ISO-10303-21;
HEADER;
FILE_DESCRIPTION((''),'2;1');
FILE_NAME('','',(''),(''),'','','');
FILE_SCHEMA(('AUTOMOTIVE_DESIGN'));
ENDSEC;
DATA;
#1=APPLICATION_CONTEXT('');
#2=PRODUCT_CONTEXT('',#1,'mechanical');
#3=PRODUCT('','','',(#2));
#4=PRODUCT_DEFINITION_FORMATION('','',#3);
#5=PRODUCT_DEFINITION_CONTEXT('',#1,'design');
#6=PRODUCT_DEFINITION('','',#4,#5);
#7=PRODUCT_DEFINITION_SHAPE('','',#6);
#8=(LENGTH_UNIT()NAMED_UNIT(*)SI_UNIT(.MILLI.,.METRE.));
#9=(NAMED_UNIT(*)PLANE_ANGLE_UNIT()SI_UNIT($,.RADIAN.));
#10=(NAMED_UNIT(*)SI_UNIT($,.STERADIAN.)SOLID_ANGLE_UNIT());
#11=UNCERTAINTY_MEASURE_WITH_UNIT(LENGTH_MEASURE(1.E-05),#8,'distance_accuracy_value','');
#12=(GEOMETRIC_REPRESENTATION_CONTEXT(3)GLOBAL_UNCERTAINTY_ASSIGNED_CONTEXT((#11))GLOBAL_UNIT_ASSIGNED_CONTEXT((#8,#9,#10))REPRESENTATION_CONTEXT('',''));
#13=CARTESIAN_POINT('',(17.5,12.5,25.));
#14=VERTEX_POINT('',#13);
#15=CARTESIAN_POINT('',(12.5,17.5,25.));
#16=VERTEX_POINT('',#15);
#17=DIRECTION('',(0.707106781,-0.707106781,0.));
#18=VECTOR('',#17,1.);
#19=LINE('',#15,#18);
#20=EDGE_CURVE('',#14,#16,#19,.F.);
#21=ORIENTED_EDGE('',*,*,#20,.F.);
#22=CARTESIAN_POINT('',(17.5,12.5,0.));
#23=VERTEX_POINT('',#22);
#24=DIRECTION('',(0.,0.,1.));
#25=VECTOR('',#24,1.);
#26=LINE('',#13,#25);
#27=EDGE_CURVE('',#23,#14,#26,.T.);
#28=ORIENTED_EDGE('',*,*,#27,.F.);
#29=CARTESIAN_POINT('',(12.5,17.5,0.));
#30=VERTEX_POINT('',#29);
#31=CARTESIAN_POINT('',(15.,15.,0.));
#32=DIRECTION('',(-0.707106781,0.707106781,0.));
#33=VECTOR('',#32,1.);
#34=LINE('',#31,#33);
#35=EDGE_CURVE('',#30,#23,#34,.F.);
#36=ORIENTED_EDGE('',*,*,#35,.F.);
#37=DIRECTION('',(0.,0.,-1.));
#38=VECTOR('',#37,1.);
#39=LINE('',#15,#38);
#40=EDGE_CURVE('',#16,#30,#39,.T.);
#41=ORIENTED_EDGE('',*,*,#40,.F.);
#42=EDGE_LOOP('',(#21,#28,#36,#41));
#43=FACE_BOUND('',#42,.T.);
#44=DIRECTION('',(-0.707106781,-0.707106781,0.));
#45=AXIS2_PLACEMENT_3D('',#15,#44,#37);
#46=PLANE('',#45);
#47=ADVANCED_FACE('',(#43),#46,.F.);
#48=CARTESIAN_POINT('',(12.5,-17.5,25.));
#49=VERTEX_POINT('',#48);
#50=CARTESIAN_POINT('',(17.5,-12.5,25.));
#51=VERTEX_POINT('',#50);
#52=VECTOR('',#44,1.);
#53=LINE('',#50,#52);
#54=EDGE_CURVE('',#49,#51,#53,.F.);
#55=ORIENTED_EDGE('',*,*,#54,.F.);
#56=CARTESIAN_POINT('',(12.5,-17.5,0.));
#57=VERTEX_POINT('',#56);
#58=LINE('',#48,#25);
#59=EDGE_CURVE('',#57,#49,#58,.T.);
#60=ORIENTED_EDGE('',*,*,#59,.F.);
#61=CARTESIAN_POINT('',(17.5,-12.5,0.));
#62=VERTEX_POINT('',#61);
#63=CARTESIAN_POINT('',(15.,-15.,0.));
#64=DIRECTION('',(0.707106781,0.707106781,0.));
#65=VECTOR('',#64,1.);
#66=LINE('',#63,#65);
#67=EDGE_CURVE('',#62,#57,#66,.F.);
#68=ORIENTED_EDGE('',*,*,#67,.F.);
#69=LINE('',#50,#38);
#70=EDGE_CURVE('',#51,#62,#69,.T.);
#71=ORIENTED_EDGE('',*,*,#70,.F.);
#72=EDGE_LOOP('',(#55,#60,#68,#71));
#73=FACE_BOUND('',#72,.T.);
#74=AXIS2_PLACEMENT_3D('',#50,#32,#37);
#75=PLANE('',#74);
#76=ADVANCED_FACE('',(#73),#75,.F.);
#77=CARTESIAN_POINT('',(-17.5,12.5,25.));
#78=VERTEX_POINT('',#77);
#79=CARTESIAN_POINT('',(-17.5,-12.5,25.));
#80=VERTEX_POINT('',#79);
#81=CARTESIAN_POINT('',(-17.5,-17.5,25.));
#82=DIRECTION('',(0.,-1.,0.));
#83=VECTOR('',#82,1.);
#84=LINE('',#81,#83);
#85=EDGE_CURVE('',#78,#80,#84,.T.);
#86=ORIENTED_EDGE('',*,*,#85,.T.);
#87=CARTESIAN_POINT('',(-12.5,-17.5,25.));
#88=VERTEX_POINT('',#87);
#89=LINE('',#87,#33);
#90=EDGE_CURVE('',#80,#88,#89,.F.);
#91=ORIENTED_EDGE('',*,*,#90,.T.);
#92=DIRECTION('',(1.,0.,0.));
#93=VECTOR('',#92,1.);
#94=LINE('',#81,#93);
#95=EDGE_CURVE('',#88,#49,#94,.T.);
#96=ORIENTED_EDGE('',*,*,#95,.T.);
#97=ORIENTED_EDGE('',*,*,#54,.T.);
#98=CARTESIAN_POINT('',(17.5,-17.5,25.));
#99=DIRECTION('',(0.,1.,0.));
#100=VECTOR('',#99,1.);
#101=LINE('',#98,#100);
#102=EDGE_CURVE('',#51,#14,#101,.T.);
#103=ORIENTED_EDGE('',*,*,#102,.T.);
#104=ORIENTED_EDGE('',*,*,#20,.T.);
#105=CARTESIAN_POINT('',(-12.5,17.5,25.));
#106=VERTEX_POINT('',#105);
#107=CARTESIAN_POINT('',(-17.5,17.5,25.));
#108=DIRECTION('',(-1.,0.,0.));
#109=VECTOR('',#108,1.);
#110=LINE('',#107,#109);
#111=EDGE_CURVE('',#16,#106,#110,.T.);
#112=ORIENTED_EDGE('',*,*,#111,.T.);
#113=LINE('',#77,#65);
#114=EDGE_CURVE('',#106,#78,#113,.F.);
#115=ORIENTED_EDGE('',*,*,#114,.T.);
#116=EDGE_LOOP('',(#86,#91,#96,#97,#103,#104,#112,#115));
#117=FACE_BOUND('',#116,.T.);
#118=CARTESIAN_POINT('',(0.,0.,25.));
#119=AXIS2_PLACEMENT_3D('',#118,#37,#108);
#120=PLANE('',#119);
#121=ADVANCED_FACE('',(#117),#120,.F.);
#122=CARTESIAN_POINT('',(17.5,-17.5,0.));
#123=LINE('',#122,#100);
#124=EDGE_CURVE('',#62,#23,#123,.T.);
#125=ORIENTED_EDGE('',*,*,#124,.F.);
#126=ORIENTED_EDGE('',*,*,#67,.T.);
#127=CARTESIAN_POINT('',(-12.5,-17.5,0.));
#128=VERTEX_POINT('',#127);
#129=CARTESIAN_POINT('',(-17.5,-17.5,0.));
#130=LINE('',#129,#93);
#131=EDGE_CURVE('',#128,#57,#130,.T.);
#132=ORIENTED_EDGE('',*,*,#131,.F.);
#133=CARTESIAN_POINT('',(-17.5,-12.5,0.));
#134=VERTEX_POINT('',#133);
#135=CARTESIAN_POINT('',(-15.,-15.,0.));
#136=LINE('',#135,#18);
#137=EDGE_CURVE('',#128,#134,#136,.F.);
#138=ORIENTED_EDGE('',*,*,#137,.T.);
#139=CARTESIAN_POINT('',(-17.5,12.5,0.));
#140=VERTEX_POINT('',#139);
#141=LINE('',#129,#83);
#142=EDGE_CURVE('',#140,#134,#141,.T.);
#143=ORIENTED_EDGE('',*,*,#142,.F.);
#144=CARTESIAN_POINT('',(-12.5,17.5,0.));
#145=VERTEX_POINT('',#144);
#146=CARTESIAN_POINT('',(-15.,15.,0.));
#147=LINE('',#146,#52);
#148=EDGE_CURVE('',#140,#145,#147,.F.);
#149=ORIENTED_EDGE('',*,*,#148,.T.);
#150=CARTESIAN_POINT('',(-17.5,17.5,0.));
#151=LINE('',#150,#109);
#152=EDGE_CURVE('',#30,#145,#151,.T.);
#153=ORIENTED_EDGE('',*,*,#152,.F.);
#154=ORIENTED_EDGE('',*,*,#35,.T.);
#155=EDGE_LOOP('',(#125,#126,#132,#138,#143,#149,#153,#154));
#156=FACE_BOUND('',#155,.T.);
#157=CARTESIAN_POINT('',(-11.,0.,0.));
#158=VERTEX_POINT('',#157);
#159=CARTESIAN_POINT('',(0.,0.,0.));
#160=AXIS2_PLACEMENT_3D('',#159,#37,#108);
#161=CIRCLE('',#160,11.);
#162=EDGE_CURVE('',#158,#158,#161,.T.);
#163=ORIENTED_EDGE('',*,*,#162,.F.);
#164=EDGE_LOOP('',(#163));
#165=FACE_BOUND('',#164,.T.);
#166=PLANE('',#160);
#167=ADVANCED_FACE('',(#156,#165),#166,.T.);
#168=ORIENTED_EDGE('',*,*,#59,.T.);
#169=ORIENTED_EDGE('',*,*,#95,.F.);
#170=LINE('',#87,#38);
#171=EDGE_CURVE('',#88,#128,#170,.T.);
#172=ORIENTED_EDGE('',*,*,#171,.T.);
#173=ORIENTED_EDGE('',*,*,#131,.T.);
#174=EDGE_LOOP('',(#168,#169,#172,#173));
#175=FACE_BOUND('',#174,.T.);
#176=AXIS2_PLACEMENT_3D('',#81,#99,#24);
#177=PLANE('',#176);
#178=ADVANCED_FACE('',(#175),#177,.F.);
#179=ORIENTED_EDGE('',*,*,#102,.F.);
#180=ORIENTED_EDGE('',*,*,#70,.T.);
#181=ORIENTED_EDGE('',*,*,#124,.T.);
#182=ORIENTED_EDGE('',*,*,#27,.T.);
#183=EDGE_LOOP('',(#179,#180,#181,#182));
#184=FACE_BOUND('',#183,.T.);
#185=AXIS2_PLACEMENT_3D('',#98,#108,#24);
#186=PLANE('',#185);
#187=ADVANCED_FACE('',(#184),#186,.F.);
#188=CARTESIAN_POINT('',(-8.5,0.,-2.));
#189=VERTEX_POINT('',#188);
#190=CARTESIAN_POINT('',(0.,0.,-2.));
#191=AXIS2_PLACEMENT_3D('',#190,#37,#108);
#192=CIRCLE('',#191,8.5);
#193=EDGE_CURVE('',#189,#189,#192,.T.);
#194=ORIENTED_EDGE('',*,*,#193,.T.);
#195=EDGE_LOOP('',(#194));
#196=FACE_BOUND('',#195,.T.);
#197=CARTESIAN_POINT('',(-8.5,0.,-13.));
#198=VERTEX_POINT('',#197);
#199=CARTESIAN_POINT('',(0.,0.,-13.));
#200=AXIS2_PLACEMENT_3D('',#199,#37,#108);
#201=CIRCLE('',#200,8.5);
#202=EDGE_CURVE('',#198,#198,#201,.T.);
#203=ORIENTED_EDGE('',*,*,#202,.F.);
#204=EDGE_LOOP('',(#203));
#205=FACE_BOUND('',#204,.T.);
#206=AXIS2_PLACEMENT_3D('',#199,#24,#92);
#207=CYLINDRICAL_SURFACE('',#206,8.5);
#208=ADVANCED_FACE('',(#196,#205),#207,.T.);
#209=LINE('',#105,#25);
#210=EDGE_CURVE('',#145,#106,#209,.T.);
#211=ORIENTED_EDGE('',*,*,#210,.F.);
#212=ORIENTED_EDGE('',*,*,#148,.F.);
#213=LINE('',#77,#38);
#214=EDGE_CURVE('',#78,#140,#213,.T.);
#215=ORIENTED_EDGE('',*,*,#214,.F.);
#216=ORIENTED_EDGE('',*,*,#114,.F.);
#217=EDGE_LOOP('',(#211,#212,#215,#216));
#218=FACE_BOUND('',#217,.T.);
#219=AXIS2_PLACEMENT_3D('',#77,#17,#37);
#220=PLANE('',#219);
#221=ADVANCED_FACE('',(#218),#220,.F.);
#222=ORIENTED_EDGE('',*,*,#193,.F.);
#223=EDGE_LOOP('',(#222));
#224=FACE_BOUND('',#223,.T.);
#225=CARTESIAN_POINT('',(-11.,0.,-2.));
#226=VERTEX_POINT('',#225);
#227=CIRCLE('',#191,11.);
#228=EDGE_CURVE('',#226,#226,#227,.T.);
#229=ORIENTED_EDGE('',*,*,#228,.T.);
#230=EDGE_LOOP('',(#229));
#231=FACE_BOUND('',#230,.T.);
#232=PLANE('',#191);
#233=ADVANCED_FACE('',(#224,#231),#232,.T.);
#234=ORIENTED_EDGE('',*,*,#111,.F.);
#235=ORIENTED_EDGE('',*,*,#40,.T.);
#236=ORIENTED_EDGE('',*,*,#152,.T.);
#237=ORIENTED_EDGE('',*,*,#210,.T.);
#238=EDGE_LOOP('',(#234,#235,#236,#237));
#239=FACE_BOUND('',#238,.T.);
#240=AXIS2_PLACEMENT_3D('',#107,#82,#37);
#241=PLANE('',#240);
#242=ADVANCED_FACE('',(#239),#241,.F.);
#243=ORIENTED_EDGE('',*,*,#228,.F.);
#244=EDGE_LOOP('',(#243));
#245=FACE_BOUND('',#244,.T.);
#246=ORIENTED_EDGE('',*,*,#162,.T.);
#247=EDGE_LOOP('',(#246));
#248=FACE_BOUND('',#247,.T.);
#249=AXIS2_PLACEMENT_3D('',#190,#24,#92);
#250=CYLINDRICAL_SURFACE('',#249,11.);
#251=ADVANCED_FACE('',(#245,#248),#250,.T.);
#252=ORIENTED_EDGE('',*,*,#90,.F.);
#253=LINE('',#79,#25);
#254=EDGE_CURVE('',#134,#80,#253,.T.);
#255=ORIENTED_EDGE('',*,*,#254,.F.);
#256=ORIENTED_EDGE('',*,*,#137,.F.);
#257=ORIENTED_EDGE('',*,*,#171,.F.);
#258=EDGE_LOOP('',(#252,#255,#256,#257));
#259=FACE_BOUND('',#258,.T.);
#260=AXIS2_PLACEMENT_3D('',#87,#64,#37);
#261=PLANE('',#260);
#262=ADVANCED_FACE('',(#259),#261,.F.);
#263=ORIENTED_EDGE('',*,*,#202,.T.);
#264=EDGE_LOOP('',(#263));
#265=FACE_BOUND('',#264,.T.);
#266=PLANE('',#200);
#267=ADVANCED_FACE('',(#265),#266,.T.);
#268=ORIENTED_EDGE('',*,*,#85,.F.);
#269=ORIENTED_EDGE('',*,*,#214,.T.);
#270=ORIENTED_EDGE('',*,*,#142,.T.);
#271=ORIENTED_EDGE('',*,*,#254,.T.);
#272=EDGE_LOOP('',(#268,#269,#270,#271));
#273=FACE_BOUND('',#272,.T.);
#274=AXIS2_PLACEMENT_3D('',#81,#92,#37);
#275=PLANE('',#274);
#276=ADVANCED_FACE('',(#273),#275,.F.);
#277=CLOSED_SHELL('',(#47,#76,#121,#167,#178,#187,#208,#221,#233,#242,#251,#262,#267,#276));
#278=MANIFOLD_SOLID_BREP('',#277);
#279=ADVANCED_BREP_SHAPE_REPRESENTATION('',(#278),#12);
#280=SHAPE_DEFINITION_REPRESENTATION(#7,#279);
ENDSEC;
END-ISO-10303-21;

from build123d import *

# Parameters (mm, degrees)
SKETCH_1_W      = 35
SKETCH_1_H      = 35
EXTRUDE_1_DEPTH = 25
CHAMFER_1_SIZE  = 5
SKETCH_2_R      = 11
EXTRUDE_2_DEPTH = 2
SKETCH_3_R      = 8.5
EXTRUDE_3_DEPTH = 11


with BuildPart() as part:
    # Эскиз1 → Бобышка-Вытянуть1 (new body)
    with BuildSketch(Plane.XY):
        Rectangle(SKETCH_1_W, SKETCH_1_H)
    extrude(amount=EXTRUDE_1_DEPTH)

    # Фаска1
    chamfer_1_edges = [part.edges().sort_by_distance(p)[0] for p in [
        (17.5, -17.5, 12.5),
        (-17.5, -17.5, 12.5),
        (-17.5, 17.5, 12.5),
        (17.5, 17.5, 12.5),
    ]]
    chamfer(chamfer_1_edges, length=CHAMFER_1_SIZE)

    # Эскиз2 → Бобышка-Вытянуть2 (add)
    with BuildSketch(Plane(origin=(0, 0, 0), x_dir=(-1, 0, 0), z_dir=(0, 0, -1))):
        Circle(SKETCH_2_R)
    extrude(amount=EXTRUDE_2_DEPTH)

    # Эскиз3 → Бобышка-Вытянуть3 (add)
    with BuildSketch(Plane(origin=(0, 0, -2), x_dir=(-1, 0, 0), z_dir=(0, 0, -1))):
        Circle(SKETCH_3_R)
    extrude(amount=EXTRUDE_3_DEPTH)


solid = part.part
